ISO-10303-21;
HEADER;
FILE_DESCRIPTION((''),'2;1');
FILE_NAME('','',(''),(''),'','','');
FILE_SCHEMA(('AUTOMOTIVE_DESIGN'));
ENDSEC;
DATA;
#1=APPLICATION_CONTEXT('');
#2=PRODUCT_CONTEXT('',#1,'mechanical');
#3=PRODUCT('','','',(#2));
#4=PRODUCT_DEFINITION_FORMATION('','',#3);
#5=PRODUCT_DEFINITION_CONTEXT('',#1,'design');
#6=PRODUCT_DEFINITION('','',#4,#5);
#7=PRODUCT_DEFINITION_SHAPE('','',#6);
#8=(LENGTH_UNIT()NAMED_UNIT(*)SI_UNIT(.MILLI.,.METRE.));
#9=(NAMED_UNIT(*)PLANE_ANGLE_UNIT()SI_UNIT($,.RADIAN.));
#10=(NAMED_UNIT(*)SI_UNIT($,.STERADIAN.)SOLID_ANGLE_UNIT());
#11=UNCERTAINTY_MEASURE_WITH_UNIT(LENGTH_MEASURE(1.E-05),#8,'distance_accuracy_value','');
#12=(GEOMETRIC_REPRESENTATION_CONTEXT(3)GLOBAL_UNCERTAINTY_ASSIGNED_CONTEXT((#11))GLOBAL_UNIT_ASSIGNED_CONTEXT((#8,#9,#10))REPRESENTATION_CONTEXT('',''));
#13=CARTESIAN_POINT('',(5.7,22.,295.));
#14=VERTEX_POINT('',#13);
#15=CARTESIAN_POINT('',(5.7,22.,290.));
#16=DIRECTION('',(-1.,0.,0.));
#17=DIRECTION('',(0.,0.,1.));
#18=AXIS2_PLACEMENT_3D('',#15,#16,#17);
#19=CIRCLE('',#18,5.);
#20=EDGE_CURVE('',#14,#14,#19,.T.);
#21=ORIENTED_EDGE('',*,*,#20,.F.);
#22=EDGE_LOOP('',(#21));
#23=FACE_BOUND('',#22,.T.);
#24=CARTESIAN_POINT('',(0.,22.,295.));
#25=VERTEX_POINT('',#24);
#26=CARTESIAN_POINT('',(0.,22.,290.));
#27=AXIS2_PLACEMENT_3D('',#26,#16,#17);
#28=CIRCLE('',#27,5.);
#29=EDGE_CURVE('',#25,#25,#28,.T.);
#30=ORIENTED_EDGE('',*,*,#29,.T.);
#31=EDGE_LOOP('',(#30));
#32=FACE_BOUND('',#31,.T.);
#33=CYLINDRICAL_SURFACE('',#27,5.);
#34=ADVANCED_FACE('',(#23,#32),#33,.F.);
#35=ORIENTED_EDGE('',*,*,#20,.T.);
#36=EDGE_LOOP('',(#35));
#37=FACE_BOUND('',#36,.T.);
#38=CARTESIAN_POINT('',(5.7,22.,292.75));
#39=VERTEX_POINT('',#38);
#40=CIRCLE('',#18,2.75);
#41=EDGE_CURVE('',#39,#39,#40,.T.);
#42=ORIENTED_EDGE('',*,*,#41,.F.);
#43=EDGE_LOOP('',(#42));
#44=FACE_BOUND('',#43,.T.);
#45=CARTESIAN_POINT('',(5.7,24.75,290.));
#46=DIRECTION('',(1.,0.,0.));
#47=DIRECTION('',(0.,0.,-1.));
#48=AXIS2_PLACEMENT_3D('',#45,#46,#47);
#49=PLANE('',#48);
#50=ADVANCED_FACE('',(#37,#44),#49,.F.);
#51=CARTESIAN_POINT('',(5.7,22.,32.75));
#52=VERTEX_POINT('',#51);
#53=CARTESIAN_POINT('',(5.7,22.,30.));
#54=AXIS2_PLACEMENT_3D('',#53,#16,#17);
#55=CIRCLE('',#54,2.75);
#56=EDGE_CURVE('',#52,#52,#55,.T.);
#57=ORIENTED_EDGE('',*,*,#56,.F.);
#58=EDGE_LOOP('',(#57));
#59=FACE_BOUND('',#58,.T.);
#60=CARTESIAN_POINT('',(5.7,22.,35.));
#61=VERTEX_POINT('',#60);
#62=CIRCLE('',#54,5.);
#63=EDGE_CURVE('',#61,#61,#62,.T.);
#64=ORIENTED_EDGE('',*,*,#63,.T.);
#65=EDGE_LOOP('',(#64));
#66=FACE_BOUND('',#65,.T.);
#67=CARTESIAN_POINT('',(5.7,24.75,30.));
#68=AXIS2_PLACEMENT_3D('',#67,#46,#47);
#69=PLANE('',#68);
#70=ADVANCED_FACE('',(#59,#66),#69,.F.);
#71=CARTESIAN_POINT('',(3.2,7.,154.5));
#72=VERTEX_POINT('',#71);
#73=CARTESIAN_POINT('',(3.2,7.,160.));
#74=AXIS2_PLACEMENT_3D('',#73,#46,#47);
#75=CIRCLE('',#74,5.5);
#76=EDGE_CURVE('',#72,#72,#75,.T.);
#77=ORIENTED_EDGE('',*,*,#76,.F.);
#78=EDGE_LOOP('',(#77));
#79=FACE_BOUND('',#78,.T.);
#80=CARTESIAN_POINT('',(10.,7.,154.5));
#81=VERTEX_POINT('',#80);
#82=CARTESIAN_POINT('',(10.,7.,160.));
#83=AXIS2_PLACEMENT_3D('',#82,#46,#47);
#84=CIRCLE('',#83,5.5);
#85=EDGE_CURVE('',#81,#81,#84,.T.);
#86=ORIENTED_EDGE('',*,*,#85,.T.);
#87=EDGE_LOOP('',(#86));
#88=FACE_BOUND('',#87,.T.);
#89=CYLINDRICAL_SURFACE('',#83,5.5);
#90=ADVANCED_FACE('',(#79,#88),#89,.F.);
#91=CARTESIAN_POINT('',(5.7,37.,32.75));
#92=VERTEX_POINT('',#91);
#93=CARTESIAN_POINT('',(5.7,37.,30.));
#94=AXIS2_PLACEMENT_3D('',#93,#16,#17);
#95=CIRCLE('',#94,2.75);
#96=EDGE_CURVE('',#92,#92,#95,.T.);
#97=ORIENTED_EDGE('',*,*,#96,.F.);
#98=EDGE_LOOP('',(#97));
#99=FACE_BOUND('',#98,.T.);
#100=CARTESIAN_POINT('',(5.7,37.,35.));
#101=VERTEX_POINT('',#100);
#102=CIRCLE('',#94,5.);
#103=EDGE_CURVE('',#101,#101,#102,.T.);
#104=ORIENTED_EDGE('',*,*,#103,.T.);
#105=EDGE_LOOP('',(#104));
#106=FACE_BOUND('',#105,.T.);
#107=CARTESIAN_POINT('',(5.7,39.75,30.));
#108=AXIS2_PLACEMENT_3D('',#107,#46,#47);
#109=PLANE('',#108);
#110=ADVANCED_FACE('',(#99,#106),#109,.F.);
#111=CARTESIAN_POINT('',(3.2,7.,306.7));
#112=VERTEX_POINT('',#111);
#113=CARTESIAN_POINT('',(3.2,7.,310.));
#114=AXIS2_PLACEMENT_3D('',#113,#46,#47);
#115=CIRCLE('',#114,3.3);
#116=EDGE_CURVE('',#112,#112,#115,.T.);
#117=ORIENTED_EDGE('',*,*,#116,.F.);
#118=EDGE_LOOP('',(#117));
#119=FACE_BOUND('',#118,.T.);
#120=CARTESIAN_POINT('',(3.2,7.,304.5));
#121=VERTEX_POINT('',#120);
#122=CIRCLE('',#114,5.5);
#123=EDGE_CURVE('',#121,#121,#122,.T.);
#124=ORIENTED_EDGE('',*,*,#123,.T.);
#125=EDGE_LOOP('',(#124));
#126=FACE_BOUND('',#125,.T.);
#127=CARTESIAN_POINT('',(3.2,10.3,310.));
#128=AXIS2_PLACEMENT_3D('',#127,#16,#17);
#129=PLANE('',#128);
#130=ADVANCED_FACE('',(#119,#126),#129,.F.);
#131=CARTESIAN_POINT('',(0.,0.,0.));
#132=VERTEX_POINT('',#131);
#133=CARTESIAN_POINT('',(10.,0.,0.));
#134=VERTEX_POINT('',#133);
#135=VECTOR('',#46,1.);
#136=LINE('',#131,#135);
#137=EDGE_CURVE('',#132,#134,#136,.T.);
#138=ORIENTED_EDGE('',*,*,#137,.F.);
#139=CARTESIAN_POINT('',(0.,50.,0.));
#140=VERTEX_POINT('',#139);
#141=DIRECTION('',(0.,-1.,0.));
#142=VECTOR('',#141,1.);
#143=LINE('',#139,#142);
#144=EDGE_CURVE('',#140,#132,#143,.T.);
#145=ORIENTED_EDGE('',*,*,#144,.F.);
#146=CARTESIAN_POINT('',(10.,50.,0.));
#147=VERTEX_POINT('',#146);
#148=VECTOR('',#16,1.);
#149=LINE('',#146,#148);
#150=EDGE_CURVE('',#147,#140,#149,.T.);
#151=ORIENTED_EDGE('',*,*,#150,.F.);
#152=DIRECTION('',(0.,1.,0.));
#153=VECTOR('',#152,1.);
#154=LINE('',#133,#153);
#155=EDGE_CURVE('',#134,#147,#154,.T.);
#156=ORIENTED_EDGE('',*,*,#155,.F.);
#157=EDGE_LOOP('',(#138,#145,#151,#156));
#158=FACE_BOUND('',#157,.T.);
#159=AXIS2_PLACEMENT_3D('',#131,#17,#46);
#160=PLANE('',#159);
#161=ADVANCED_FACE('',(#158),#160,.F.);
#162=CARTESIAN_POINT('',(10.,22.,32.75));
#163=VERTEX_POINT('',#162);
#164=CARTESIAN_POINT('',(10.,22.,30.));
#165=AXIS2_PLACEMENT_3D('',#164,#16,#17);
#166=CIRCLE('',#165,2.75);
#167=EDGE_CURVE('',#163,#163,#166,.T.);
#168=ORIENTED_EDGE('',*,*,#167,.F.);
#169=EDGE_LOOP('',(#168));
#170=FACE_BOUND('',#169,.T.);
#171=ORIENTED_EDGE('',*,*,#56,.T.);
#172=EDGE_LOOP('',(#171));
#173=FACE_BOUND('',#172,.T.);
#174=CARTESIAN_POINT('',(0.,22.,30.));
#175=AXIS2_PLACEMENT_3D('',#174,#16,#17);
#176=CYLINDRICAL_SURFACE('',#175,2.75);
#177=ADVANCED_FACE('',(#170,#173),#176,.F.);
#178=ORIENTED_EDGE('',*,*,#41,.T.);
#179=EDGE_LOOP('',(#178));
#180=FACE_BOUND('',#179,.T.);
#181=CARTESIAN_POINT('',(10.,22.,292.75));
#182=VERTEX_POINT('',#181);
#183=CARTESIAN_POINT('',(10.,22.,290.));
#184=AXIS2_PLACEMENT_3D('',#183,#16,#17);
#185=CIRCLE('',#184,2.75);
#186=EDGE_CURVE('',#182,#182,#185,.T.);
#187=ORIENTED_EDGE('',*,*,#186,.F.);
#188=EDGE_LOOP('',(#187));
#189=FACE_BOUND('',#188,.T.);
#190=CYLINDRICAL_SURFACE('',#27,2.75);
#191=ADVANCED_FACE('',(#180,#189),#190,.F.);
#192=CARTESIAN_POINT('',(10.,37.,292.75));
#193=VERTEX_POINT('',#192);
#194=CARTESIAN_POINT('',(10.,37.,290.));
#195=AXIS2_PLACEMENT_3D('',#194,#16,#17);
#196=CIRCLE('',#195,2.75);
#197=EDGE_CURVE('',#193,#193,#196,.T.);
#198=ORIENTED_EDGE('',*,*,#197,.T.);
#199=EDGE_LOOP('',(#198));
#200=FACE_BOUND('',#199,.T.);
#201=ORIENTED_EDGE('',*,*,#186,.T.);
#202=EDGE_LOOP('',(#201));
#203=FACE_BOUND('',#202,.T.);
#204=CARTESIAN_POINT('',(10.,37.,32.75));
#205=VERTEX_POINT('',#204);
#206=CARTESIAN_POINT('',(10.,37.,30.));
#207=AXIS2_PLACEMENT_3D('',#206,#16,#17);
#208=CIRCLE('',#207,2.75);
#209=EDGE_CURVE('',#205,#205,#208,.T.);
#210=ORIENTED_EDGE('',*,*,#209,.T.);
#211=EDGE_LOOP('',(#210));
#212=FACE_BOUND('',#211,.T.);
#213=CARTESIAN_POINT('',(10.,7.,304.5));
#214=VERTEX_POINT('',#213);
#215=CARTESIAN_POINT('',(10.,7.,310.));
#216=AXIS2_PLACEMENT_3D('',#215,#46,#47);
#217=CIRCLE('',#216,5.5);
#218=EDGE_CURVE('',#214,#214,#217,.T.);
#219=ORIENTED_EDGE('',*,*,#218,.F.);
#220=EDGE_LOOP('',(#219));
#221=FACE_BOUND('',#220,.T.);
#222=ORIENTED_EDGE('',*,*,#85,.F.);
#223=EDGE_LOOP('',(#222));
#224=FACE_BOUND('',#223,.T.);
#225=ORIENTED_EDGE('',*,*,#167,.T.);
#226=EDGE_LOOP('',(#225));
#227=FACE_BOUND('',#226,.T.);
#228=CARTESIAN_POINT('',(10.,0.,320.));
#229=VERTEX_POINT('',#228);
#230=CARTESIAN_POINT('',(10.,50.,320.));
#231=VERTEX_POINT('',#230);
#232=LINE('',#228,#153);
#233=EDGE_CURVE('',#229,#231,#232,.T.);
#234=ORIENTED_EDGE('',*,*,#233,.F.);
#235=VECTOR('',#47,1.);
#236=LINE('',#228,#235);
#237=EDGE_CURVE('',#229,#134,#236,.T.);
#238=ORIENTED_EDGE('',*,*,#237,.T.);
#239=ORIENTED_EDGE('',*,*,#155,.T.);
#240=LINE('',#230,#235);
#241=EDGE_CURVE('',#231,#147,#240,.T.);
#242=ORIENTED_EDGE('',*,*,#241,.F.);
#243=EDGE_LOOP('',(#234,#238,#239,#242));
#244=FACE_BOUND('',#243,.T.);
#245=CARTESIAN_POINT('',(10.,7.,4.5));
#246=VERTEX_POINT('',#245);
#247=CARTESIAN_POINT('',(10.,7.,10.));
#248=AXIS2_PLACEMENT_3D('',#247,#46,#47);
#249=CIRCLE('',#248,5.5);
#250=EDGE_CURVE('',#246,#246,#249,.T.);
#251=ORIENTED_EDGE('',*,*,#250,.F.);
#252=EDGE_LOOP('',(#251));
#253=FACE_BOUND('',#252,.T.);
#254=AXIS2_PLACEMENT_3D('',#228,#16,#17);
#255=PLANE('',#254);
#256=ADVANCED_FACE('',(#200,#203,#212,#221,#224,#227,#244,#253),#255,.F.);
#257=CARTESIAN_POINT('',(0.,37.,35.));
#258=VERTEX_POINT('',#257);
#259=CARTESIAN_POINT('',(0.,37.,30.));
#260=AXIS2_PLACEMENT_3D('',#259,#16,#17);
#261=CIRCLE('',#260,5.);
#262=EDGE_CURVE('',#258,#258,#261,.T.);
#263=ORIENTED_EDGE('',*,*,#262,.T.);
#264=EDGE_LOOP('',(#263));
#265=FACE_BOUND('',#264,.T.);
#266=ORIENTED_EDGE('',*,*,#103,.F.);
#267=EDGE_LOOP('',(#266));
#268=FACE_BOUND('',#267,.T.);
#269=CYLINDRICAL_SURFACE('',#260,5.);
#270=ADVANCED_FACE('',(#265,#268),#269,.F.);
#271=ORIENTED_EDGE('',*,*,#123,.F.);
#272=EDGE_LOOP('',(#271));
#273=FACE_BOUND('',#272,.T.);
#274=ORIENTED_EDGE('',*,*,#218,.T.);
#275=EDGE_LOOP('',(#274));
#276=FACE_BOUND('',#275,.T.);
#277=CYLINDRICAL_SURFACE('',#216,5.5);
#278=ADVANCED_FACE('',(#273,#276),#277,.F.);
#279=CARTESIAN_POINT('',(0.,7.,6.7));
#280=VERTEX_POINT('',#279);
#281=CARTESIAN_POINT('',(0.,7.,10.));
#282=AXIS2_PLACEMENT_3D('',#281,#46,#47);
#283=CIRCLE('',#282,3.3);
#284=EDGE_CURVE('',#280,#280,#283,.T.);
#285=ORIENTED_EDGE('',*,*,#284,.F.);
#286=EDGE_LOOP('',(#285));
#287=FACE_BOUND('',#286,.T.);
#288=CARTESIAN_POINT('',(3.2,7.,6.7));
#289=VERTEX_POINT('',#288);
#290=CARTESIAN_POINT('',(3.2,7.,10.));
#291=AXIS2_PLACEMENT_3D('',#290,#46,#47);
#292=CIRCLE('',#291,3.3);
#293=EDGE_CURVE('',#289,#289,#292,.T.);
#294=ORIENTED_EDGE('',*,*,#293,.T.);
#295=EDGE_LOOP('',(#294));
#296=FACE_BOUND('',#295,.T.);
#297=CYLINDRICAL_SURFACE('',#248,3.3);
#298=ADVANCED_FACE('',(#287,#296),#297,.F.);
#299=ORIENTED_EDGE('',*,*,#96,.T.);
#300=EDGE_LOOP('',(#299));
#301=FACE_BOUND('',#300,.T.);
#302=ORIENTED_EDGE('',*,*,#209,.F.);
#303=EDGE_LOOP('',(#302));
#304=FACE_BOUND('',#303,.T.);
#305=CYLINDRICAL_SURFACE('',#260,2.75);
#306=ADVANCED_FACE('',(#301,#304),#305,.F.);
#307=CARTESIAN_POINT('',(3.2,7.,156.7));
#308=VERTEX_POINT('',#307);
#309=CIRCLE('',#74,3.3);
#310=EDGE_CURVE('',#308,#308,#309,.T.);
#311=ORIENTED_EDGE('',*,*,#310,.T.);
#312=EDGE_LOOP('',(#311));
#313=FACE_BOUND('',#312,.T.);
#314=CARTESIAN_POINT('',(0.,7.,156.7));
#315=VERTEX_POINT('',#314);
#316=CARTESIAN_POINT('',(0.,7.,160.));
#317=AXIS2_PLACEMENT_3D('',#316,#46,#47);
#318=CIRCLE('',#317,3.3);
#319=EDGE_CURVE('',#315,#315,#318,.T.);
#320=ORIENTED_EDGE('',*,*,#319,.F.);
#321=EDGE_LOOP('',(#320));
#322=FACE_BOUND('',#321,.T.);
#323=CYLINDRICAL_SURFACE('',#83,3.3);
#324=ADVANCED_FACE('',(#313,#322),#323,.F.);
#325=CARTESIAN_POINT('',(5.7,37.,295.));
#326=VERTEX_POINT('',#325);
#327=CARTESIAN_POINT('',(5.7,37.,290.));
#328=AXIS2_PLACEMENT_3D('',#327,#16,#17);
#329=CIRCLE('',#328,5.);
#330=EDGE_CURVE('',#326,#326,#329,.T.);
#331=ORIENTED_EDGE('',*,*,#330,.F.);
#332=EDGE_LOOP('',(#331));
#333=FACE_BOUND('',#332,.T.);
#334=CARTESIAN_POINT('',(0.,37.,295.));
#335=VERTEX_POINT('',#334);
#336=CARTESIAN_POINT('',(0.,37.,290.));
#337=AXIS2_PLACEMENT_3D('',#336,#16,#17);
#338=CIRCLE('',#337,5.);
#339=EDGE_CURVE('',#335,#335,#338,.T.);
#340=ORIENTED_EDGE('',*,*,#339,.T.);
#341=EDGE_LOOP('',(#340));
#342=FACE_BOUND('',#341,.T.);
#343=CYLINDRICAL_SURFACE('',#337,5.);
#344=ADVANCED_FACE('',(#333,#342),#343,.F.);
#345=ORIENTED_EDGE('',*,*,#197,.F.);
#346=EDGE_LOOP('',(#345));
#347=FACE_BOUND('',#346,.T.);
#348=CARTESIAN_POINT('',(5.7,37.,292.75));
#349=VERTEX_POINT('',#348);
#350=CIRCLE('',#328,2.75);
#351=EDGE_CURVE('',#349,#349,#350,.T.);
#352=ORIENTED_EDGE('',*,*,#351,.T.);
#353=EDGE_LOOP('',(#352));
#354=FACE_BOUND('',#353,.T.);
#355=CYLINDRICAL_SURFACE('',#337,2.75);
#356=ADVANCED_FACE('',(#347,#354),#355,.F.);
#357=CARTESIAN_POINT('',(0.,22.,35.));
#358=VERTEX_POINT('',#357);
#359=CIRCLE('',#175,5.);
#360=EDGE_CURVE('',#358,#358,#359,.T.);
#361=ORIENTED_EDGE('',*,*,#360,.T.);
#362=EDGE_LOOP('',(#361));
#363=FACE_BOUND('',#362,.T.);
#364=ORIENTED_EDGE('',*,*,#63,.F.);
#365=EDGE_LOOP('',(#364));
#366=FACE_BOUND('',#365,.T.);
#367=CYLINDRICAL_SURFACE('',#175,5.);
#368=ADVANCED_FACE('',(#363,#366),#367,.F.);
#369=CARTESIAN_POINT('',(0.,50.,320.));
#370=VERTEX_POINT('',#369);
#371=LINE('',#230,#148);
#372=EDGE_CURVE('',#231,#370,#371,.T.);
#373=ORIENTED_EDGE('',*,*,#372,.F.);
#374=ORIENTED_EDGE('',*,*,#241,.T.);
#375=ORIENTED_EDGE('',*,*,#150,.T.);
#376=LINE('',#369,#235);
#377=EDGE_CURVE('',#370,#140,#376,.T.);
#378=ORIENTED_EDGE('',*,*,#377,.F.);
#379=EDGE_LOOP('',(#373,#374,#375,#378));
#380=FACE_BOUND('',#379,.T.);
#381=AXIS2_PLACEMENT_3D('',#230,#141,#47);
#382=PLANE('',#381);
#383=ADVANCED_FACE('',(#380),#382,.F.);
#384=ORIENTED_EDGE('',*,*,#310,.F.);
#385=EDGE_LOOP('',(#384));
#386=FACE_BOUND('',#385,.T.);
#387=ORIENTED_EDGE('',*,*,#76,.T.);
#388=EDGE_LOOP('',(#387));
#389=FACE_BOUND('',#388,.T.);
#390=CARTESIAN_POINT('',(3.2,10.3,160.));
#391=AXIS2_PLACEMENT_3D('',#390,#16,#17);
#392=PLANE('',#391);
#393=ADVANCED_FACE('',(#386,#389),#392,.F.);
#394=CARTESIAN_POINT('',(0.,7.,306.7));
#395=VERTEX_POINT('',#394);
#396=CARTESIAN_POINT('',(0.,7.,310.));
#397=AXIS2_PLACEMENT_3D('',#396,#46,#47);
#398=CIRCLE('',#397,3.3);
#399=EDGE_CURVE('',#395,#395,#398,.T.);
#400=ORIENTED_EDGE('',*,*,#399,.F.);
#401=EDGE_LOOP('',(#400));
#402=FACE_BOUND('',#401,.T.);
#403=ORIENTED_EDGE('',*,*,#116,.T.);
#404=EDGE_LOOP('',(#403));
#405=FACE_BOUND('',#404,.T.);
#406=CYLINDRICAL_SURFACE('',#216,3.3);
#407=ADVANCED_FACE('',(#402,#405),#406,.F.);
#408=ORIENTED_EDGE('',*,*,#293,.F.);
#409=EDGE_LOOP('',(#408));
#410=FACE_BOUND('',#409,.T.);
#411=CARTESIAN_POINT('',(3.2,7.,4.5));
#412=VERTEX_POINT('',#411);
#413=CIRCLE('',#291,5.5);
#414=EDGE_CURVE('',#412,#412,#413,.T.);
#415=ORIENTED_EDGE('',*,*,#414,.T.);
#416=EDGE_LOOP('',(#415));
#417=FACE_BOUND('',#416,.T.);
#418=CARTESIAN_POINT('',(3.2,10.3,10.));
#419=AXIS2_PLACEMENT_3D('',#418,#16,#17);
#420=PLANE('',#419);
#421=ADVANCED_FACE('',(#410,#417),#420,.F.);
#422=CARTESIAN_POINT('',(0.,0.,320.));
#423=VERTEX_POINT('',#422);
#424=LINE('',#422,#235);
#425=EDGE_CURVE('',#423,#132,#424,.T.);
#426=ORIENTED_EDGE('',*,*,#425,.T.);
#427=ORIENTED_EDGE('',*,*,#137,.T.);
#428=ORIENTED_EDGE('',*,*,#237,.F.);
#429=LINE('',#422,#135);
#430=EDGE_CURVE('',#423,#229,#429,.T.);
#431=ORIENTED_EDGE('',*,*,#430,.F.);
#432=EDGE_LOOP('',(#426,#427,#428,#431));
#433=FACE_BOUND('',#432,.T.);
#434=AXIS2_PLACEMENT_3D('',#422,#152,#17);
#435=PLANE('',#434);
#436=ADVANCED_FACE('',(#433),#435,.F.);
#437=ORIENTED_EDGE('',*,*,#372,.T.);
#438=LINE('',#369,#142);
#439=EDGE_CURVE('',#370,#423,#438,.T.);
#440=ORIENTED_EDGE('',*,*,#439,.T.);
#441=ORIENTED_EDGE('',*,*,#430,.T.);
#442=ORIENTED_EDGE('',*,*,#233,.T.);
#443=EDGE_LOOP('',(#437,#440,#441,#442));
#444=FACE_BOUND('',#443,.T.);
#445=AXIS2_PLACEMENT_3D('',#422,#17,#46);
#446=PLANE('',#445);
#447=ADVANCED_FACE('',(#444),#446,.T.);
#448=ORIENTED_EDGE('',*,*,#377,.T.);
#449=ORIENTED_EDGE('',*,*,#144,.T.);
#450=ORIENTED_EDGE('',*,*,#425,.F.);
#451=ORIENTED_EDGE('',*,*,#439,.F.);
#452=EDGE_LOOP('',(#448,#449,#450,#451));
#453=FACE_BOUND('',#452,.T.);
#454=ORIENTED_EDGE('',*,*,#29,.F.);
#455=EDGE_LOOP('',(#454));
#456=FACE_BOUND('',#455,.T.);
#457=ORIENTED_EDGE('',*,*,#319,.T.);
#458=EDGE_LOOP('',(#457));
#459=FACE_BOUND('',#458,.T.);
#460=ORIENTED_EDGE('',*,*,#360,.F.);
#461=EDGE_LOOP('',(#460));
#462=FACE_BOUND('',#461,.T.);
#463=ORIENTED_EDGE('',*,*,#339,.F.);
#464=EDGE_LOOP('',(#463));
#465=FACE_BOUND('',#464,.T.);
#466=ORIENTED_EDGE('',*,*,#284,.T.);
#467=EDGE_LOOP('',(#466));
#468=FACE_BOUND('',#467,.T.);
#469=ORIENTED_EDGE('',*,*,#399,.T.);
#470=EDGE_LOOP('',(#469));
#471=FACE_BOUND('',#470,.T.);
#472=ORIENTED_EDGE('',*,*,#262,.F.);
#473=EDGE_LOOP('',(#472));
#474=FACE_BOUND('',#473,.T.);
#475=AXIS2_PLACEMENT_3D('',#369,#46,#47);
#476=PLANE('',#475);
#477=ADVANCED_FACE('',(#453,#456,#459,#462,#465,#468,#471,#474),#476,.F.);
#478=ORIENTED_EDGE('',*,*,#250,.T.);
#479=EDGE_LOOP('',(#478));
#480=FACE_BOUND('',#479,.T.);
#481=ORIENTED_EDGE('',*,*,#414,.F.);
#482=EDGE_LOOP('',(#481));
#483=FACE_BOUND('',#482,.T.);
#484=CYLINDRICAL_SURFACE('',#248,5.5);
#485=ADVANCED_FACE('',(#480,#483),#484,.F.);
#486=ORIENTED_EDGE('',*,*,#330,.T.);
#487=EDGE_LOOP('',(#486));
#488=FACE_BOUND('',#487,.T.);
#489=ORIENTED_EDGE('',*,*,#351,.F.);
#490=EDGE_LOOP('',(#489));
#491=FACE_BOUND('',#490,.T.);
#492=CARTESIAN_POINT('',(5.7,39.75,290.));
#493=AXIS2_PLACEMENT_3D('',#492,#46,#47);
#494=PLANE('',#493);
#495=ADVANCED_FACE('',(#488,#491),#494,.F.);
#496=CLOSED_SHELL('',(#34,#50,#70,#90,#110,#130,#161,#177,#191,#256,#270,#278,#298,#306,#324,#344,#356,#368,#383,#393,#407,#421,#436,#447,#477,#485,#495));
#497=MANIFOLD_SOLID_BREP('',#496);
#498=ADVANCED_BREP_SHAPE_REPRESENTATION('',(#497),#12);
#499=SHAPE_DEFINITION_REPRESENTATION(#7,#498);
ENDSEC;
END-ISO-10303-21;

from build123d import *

# Parameters (mm, degrees)
SKETCH_1_W                  = 10
SKETCH_1_H                  = 50
EXTRUDE_1_DEPTH             = 320
HOLE_WIZARD_2_D             = 6.6
HOLE_WIZARD_2_CBORE_D       = 11
HOLE_WIZARD_2_CBORE_DEPTH   = 6.8
HOLE_WIZARD_2_2_D           = 5.5
HOLE_WIZARD_2_2_CBORE_D     = 10
HOLE_WIZARD_2_2_CBORE_DEPTH = 5.7


with BuildPart() as part:
    # 草图1 → 凸台-拉伸1 (new body)
    with BuildSketch(Plane.XY):
        with Locations((5, 25)):
            Rectangle(SKETCH_1_W, SKETCH_1_H)
    extrude(amount=EXTRUDE_1_DEPTH)

    # Hole Wizard 2 (through all)
    with Locations(Plane(origin=(10, 7, 310), x_dir=(0, 0, 1), z_dir=(1, 0, 0))):
        with Locations((0, 0), (-150, 0), (-300, 0)):
            CounterBoreHole(HOLE_WIZARD_2_D / 2, HOLE_WIZARD_2_CBORE_D / 2, HOLE_WIZARD_2_CBORE_DEPTH)

    # Hole Wizard 2 2 (through all)
    with Locations(Plane(origin=(0, 37, 290), x_dir=(0, 0, -1), z_dir=(-1, 0, 0))):
        with Locations((0, 0), (0, 15), (260, 0), (260, 15)):
            CounterBoreHole(HOLE_WIZARD_2_2_D / 2, HOLE_WIZARD_2_2_CBORE_D / 2, HOLE_WIZARD_2_2_CBORE_DEPTH)


solid = part.part
